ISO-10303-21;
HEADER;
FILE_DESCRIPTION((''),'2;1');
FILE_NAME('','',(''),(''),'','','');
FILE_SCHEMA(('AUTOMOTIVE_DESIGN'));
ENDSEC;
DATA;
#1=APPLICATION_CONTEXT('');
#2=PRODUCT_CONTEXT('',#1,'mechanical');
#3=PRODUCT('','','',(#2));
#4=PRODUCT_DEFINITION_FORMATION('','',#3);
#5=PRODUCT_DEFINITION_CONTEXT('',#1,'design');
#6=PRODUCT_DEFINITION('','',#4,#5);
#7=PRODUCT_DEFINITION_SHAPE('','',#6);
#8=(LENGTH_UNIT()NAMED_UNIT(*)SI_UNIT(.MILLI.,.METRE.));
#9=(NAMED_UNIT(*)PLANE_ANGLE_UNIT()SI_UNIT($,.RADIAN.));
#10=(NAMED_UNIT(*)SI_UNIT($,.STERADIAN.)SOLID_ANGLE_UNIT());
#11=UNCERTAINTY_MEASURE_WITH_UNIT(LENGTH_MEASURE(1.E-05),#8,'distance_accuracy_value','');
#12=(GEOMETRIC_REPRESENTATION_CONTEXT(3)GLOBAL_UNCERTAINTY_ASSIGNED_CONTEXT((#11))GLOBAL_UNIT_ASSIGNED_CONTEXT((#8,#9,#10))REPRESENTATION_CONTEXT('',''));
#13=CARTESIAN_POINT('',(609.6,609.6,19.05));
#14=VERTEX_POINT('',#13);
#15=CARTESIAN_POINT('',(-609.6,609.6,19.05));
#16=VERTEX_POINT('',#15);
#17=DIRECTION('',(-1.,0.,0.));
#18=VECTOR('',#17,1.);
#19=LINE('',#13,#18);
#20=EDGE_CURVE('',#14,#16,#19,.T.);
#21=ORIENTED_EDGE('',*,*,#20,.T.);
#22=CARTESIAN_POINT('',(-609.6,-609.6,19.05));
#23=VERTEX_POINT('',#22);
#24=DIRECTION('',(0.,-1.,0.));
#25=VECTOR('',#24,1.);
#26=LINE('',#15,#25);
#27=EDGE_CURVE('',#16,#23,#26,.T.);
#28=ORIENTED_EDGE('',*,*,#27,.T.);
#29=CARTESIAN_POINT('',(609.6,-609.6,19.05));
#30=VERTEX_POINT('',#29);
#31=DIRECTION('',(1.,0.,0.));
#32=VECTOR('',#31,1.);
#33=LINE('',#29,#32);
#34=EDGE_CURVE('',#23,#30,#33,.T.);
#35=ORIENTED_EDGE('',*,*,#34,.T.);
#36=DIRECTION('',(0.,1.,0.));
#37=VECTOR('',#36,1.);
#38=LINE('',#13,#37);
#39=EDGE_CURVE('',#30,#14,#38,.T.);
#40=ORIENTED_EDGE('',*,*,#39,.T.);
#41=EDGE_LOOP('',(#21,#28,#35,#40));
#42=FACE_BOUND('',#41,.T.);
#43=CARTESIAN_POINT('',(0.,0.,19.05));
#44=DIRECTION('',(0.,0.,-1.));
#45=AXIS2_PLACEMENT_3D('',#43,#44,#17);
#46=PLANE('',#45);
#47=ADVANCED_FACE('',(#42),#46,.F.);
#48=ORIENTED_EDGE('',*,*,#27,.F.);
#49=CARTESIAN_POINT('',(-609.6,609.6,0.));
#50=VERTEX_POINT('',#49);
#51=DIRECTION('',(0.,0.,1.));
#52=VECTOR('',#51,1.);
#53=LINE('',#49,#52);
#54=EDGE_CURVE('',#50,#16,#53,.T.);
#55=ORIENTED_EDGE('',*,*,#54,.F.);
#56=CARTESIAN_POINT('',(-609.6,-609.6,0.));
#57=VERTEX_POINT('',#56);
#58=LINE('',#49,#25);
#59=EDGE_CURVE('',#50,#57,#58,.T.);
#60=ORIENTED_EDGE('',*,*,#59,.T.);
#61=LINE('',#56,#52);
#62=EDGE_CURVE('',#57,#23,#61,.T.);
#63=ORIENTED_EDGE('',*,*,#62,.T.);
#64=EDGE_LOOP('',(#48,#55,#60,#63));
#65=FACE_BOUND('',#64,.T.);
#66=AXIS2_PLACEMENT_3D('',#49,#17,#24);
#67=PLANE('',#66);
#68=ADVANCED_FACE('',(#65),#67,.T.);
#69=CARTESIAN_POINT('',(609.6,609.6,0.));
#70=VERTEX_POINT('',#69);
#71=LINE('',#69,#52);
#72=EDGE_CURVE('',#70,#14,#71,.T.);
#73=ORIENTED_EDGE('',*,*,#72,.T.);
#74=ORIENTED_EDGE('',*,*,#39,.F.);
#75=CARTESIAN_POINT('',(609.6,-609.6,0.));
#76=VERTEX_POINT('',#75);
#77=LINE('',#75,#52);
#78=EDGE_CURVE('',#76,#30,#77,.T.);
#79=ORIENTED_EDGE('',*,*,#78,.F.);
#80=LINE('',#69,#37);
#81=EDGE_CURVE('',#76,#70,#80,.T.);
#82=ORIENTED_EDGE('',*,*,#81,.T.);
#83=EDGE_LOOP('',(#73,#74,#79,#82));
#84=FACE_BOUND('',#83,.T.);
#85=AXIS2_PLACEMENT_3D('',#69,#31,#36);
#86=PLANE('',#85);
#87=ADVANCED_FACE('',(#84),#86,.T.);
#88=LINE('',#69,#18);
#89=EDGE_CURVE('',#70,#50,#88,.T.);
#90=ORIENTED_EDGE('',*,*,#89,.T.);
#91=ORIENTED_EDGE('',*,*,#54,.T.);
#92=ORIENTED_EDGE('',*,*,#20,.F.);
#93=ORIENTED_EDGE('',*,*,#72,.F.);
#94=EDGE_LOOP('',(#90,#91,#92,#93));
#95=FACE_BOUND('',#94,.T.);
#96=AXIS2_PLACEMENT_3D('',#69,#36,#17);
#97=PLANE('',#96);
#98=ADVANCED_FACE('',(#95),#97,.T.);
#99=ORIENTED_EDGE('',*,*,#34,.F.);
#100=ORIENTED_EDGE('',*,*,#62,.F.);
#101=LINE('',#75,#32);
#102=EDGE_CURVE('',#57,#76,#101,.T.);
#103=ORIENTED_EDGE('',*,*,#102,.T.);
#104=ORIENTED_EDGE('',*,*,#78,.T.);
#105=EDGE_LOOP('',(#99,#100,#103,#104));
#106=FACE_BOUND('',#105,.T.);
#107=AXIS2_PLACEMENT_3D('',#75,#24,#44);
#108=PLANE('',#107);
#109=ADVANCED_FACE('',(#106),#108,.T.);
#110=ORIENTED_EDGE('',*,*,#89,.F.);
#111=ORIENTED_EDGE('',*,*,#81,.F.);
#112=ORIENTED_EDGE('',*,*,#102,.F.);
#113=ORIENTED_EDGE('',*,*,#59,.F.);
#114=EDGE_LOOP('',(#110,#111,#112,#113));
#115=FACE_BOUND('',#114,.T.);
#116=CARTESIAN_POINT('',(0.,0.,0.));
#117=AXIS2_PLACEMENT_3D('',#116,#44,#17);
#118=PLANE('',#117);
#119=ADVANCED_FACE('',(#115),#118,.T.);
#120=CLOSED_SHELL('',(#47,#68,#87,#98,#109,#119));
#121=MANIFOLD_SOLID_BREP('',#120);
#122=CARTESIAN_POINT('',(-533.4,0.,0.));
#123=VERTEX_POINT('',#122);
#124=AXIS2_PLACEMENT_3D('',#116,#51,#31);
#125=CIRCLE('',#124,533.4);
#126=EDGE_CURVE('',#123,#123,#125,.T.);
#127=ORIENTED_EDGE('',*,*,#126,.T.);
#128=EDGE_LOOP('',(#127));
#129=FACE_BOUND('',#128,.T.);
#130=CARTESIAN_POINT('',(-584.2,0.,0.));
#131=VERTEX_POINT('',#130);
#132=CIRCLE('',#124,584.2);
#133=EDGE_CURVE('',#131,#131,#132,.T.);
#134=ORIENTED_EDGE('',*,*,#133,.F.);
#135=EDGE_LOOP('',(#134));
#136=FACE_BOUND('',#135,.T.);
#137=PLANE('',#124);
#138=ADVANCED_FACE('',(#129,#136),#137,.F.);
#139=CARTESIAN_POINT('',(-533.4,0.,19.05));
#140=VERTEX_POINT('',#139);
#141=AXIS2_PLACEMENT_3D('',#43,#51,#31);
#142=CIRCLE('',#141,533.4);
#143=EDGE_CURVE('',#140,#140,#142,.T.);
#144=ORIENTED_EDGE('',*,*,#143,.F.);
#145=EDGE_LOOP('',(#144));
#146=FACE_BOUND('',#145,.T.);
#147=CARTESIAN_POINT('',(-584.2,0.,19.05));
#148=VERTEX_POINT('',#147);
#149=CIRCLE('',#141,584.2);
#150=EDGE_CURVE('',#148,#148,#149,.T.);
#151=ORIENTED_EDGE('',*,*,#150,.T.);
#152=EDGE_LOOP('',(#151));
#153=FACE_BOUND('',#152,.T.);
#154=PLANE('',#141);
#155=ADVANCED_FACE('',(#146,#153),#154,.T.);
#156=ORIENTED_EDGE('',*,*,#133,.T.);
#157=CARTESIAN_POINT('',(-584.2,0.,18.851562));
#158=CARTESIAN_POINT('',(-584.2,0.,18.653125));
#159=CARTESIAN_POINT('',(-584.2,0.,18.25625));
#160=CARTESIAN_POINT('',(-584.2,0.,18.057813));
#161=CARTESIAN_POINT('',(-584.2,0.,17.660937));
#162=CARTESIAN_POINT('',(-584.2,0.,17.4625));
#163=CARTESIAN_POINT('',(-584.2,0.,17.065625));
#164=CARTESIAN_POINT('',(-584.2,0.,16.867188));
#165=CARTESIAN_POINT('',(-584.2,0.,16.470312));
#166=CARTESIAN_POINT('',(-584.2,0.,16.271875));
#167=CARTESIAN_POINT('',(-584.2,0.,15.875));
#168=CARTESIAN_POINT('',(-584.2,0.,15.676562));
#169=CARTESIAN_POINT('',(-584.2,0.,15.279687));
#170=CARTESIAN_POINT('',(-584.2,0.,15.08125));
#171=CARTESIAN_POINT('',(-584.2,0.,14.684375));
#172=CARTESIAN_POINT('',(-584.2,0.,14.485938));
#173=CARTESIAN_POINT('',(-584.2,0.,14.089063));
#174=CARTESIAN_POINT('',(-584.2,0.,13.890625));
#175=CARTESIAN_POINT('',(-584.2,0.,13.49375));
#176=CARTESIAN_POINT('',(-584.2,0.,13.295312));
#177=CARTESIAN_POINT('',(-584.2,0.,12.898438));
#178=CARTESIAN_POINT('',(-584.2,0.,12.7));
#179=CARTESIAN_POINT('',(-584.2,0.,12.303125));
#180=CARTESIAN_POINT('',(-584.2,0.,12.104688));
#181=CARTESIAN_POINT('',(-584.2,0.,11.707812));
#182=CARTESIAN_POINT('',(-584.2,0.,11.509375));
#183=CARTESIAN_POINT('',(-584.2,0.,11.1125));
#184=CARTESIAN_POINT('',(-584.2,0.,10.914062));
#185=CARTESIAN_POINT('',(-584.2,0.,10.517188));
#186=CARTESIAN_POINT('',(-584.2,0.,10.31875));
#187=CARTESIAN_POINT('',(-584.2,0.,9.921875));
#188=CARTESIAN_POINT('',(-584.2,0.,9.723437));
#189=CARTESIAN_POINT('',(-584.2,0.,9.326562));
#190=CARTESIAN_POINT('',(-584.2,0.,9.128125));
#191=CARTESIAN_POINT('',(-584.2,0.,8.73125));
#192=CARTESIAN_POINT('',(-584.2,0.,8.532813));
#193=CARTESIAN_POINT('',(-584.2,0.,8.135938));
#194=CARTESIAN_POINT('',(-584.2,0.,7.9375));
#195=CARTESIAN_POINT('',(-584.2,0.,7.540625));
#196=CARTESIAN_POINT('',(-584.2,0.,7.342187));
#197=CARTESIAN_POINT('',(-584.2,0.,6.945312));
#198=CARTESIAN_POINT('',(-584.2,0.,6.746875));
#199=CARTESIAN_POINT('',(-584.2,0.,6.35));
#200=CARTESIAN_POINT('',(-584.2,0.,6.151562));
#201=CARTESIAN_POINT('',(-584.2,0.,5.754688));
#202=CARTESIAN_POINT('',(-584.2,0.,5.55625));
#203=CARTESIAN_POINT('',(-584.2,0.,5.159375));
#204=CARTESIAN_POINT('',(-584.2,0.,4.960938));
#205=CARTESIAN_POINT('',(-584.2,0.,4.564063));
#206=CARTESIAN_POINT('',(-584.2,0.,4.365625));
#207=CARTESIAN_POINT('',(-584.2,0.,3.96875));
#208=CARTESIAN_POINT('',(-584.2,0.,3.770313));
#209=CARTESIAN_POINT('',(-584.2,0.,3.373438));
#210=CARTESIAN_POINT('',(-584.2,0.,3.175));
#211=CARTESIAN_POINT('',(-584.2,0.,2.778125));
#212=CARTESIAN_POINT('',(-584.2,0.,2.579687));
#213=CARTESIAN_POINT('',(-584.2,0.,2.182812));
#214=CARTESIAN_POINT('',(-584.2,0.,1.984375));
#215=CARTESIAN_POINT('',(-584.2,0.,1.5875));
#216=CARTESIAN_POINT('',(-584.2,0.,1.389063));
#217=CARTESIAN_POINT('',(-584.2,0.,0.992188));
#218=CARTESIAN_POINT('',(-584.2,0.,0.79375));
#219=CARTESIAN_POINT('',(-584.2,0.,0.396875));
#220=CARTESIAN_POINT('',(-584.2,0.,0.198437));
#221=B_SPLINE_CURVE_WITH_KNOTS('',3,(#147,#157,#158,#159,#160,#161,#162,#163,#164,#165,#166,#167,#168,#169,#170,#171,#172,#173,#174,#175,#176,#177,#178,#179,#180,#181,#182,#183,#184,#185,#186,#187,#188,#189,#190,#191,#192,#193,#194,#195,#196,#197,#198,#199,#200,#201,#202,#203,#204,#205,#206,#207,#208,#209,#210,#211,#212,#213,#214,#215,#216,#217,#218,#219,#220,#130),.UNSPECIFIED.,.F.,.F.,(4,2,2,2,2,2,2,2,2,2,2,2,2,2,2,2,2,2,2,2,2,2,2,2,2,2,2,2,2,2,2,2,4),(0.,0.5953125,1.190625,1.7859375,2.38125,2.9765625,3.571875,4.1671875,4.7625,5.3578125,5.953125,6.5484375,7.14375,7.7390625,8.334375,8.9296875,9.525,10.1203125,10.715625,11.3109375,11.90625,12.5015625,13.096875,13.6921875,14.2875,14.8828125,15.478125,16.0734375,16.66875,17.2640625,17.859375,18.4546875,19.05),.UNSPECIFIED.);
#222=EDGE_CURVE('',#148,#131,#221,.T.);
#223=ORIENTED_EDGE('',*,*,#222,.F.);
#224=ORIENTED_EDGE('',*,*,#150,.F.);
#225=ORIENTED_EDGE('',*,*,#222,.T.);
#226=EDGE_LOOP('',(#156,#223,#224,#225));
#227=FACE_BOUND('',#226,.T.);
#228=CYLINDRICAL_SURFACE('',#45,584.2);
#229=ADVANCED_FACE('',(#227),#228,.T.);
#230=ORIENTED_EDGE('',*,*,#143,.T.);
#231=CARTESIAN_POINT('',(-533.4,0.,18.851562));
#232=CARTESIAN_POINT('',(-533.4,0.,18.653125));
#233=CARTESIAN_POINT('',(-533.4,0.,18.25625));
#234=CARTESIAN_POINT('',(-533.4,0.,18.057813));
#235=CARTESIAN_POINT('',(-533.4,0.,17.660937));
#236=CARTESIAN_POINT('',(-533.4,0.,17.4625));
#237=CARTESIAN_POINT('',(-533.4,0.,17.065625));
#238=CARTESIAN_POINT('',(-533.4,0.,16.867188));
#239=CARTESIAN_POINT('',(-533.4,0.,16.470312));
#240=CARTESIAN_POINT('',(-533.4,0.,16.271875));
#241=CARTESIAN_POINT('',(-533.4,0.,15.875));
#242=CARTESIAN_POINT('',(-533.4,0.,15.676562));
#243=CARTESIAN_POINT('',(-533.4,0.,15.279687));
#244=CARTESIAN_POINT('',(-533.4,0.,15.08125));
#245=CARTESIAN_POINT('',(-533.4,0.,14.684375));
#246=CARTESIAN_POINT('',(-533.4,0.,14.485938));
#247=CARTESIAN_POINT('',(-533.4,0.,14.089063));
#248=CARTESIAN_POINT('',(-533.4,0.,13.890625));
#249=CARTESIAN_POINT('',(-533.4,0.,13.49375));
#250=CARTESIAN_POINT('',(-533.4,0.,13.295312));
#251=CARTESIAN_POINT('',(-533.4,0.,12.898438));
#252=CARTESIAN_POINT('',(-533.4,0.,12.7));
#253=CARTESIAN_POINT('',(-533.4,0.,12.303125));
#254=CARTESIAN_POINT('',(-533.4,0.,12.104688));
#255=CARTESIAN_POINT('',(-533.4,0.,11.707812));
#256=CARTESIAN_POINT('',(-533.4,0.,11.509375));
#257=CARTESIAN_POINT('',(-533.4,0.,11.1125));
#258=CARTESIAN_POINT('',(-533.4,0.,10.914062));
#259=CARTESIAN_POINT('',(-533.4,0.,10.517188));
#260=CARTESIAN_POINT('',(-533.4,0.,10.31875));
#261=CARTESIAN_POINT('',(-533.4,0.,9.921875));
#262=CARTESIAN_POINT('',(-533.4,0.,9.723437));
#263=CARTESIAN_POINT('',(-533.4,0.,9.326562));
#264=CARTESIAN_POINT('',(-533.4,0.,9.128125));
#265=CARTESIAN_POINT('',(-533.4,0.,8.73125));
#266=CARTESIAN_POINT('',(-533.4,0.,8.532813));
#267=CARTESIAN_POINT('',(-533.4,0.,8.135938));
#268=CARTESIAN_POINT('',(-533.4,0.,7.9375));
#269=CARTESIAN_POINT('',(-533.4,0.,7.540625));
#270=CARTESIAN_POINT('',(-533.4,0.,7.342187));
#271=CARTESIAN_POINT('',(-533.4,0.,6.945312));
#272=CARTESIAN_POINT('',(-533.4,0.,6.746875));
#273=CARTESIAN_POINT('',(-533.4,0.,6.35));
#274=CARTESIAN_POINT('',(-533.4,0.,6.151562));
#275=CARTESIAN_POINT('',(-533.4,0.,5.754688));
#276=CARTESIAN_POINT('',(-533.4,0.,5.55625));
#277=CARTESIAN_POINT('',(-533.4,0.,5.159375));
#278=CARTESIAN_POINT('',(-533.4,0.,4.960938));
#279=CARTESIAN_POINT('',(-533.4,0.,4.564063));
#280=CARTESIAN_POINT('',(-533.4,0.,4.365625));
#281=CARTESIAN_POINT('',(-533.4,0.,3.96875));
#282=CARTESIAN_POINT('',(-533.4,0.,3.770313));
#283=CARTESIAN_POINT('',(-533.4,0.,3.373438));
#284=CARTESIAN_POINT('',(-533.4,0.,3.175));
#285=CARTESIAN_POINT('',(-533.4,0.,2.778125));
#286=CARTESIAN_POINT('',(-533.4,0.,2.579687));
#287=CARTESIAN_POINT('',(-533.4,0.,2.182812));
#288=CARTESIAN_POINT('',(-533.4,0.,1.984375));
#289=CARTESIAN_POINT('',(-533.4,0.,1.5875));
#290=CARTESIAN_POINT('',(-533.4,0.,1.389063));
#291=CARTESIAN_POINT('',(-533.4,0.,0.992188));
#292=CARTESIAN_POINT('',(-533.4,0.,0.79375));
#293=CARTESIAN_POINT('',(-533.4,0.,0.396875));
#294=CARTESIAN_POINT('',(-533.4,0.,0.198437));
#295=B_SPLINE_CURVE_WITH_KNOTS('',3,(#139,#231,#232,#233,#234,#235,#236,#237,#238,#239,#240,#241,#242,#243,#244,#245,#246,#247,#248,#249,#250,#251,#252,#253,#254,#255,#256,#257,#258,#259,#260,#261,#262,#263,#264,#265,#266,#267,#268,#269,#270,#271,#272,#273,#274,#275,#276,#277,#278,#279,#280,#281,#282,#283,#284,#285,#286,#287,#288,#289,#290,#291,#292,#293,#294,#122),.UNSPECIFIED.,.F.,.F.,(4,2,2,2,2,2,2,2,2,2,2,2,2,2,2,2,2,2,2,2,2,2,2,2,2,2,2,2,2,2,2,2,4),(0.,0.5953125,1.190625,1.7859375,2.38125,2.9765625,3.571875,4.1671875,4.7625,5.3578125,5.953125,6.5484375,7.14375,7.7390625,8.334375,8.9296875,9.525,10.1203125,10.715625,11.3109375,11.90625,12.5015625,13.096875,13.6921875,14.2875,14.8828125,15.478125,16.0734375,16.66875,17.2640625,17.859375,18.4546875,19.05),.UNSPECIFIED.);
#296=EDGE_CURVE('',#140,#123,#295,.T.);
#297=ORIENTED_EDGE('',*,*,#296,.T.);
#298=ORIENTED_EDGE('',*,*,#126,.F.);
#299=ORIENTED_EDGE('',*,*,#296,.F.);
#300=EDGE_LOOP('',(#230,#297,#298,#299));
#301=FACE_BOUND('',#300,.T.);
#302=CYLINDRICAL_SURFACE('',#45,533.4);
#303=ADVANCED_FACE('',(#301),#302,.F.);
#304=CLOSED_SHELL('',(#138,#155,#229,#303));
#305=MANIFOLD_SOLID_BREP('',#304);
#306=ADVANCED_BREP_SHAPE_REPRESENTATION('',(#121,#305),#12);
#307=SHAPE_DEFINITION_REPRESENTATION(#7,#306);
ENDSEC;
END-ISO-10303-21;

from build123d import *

# Parameters (mm, degrees)
SKETCH2_R           = 584.2
SKETCH2_R_2         = 533.4
BOSS_EXTRUDE1_DEPTH = 19.05
SKETCH3_W           = 1219.2
SKETCH3_H           = 1219.2
STOCK_DEPTH         = 19.05


with BuildPart() as part:
    # Sketch2 → Boss-Extrude1 (new body)
    with BuildSketch(Plane.XY):
        with Locations(Location((0, 0, 0), (0, 0, 180))):
            Circle(SKETCH2_R)
        with Locations(Location((0, 0, 0), (0, 0, 180))):
            Circle(SKETCH2_R_2, mode=Mode.SUBTRACT)
    extrude(amount=BOSS_EXTRUDE1_DEPTH)


with BuildPart() as body_2:
    # Sketch3 → Stock (new body)
    with BuildSketch(Plane.XY.offset(19.05)):
        Rectangle(SKETCH3_W, SKETCH3_H)
    extrude(amount=-STOCK_DEPTH)


solid = Compound([part.part, body_2.part])
